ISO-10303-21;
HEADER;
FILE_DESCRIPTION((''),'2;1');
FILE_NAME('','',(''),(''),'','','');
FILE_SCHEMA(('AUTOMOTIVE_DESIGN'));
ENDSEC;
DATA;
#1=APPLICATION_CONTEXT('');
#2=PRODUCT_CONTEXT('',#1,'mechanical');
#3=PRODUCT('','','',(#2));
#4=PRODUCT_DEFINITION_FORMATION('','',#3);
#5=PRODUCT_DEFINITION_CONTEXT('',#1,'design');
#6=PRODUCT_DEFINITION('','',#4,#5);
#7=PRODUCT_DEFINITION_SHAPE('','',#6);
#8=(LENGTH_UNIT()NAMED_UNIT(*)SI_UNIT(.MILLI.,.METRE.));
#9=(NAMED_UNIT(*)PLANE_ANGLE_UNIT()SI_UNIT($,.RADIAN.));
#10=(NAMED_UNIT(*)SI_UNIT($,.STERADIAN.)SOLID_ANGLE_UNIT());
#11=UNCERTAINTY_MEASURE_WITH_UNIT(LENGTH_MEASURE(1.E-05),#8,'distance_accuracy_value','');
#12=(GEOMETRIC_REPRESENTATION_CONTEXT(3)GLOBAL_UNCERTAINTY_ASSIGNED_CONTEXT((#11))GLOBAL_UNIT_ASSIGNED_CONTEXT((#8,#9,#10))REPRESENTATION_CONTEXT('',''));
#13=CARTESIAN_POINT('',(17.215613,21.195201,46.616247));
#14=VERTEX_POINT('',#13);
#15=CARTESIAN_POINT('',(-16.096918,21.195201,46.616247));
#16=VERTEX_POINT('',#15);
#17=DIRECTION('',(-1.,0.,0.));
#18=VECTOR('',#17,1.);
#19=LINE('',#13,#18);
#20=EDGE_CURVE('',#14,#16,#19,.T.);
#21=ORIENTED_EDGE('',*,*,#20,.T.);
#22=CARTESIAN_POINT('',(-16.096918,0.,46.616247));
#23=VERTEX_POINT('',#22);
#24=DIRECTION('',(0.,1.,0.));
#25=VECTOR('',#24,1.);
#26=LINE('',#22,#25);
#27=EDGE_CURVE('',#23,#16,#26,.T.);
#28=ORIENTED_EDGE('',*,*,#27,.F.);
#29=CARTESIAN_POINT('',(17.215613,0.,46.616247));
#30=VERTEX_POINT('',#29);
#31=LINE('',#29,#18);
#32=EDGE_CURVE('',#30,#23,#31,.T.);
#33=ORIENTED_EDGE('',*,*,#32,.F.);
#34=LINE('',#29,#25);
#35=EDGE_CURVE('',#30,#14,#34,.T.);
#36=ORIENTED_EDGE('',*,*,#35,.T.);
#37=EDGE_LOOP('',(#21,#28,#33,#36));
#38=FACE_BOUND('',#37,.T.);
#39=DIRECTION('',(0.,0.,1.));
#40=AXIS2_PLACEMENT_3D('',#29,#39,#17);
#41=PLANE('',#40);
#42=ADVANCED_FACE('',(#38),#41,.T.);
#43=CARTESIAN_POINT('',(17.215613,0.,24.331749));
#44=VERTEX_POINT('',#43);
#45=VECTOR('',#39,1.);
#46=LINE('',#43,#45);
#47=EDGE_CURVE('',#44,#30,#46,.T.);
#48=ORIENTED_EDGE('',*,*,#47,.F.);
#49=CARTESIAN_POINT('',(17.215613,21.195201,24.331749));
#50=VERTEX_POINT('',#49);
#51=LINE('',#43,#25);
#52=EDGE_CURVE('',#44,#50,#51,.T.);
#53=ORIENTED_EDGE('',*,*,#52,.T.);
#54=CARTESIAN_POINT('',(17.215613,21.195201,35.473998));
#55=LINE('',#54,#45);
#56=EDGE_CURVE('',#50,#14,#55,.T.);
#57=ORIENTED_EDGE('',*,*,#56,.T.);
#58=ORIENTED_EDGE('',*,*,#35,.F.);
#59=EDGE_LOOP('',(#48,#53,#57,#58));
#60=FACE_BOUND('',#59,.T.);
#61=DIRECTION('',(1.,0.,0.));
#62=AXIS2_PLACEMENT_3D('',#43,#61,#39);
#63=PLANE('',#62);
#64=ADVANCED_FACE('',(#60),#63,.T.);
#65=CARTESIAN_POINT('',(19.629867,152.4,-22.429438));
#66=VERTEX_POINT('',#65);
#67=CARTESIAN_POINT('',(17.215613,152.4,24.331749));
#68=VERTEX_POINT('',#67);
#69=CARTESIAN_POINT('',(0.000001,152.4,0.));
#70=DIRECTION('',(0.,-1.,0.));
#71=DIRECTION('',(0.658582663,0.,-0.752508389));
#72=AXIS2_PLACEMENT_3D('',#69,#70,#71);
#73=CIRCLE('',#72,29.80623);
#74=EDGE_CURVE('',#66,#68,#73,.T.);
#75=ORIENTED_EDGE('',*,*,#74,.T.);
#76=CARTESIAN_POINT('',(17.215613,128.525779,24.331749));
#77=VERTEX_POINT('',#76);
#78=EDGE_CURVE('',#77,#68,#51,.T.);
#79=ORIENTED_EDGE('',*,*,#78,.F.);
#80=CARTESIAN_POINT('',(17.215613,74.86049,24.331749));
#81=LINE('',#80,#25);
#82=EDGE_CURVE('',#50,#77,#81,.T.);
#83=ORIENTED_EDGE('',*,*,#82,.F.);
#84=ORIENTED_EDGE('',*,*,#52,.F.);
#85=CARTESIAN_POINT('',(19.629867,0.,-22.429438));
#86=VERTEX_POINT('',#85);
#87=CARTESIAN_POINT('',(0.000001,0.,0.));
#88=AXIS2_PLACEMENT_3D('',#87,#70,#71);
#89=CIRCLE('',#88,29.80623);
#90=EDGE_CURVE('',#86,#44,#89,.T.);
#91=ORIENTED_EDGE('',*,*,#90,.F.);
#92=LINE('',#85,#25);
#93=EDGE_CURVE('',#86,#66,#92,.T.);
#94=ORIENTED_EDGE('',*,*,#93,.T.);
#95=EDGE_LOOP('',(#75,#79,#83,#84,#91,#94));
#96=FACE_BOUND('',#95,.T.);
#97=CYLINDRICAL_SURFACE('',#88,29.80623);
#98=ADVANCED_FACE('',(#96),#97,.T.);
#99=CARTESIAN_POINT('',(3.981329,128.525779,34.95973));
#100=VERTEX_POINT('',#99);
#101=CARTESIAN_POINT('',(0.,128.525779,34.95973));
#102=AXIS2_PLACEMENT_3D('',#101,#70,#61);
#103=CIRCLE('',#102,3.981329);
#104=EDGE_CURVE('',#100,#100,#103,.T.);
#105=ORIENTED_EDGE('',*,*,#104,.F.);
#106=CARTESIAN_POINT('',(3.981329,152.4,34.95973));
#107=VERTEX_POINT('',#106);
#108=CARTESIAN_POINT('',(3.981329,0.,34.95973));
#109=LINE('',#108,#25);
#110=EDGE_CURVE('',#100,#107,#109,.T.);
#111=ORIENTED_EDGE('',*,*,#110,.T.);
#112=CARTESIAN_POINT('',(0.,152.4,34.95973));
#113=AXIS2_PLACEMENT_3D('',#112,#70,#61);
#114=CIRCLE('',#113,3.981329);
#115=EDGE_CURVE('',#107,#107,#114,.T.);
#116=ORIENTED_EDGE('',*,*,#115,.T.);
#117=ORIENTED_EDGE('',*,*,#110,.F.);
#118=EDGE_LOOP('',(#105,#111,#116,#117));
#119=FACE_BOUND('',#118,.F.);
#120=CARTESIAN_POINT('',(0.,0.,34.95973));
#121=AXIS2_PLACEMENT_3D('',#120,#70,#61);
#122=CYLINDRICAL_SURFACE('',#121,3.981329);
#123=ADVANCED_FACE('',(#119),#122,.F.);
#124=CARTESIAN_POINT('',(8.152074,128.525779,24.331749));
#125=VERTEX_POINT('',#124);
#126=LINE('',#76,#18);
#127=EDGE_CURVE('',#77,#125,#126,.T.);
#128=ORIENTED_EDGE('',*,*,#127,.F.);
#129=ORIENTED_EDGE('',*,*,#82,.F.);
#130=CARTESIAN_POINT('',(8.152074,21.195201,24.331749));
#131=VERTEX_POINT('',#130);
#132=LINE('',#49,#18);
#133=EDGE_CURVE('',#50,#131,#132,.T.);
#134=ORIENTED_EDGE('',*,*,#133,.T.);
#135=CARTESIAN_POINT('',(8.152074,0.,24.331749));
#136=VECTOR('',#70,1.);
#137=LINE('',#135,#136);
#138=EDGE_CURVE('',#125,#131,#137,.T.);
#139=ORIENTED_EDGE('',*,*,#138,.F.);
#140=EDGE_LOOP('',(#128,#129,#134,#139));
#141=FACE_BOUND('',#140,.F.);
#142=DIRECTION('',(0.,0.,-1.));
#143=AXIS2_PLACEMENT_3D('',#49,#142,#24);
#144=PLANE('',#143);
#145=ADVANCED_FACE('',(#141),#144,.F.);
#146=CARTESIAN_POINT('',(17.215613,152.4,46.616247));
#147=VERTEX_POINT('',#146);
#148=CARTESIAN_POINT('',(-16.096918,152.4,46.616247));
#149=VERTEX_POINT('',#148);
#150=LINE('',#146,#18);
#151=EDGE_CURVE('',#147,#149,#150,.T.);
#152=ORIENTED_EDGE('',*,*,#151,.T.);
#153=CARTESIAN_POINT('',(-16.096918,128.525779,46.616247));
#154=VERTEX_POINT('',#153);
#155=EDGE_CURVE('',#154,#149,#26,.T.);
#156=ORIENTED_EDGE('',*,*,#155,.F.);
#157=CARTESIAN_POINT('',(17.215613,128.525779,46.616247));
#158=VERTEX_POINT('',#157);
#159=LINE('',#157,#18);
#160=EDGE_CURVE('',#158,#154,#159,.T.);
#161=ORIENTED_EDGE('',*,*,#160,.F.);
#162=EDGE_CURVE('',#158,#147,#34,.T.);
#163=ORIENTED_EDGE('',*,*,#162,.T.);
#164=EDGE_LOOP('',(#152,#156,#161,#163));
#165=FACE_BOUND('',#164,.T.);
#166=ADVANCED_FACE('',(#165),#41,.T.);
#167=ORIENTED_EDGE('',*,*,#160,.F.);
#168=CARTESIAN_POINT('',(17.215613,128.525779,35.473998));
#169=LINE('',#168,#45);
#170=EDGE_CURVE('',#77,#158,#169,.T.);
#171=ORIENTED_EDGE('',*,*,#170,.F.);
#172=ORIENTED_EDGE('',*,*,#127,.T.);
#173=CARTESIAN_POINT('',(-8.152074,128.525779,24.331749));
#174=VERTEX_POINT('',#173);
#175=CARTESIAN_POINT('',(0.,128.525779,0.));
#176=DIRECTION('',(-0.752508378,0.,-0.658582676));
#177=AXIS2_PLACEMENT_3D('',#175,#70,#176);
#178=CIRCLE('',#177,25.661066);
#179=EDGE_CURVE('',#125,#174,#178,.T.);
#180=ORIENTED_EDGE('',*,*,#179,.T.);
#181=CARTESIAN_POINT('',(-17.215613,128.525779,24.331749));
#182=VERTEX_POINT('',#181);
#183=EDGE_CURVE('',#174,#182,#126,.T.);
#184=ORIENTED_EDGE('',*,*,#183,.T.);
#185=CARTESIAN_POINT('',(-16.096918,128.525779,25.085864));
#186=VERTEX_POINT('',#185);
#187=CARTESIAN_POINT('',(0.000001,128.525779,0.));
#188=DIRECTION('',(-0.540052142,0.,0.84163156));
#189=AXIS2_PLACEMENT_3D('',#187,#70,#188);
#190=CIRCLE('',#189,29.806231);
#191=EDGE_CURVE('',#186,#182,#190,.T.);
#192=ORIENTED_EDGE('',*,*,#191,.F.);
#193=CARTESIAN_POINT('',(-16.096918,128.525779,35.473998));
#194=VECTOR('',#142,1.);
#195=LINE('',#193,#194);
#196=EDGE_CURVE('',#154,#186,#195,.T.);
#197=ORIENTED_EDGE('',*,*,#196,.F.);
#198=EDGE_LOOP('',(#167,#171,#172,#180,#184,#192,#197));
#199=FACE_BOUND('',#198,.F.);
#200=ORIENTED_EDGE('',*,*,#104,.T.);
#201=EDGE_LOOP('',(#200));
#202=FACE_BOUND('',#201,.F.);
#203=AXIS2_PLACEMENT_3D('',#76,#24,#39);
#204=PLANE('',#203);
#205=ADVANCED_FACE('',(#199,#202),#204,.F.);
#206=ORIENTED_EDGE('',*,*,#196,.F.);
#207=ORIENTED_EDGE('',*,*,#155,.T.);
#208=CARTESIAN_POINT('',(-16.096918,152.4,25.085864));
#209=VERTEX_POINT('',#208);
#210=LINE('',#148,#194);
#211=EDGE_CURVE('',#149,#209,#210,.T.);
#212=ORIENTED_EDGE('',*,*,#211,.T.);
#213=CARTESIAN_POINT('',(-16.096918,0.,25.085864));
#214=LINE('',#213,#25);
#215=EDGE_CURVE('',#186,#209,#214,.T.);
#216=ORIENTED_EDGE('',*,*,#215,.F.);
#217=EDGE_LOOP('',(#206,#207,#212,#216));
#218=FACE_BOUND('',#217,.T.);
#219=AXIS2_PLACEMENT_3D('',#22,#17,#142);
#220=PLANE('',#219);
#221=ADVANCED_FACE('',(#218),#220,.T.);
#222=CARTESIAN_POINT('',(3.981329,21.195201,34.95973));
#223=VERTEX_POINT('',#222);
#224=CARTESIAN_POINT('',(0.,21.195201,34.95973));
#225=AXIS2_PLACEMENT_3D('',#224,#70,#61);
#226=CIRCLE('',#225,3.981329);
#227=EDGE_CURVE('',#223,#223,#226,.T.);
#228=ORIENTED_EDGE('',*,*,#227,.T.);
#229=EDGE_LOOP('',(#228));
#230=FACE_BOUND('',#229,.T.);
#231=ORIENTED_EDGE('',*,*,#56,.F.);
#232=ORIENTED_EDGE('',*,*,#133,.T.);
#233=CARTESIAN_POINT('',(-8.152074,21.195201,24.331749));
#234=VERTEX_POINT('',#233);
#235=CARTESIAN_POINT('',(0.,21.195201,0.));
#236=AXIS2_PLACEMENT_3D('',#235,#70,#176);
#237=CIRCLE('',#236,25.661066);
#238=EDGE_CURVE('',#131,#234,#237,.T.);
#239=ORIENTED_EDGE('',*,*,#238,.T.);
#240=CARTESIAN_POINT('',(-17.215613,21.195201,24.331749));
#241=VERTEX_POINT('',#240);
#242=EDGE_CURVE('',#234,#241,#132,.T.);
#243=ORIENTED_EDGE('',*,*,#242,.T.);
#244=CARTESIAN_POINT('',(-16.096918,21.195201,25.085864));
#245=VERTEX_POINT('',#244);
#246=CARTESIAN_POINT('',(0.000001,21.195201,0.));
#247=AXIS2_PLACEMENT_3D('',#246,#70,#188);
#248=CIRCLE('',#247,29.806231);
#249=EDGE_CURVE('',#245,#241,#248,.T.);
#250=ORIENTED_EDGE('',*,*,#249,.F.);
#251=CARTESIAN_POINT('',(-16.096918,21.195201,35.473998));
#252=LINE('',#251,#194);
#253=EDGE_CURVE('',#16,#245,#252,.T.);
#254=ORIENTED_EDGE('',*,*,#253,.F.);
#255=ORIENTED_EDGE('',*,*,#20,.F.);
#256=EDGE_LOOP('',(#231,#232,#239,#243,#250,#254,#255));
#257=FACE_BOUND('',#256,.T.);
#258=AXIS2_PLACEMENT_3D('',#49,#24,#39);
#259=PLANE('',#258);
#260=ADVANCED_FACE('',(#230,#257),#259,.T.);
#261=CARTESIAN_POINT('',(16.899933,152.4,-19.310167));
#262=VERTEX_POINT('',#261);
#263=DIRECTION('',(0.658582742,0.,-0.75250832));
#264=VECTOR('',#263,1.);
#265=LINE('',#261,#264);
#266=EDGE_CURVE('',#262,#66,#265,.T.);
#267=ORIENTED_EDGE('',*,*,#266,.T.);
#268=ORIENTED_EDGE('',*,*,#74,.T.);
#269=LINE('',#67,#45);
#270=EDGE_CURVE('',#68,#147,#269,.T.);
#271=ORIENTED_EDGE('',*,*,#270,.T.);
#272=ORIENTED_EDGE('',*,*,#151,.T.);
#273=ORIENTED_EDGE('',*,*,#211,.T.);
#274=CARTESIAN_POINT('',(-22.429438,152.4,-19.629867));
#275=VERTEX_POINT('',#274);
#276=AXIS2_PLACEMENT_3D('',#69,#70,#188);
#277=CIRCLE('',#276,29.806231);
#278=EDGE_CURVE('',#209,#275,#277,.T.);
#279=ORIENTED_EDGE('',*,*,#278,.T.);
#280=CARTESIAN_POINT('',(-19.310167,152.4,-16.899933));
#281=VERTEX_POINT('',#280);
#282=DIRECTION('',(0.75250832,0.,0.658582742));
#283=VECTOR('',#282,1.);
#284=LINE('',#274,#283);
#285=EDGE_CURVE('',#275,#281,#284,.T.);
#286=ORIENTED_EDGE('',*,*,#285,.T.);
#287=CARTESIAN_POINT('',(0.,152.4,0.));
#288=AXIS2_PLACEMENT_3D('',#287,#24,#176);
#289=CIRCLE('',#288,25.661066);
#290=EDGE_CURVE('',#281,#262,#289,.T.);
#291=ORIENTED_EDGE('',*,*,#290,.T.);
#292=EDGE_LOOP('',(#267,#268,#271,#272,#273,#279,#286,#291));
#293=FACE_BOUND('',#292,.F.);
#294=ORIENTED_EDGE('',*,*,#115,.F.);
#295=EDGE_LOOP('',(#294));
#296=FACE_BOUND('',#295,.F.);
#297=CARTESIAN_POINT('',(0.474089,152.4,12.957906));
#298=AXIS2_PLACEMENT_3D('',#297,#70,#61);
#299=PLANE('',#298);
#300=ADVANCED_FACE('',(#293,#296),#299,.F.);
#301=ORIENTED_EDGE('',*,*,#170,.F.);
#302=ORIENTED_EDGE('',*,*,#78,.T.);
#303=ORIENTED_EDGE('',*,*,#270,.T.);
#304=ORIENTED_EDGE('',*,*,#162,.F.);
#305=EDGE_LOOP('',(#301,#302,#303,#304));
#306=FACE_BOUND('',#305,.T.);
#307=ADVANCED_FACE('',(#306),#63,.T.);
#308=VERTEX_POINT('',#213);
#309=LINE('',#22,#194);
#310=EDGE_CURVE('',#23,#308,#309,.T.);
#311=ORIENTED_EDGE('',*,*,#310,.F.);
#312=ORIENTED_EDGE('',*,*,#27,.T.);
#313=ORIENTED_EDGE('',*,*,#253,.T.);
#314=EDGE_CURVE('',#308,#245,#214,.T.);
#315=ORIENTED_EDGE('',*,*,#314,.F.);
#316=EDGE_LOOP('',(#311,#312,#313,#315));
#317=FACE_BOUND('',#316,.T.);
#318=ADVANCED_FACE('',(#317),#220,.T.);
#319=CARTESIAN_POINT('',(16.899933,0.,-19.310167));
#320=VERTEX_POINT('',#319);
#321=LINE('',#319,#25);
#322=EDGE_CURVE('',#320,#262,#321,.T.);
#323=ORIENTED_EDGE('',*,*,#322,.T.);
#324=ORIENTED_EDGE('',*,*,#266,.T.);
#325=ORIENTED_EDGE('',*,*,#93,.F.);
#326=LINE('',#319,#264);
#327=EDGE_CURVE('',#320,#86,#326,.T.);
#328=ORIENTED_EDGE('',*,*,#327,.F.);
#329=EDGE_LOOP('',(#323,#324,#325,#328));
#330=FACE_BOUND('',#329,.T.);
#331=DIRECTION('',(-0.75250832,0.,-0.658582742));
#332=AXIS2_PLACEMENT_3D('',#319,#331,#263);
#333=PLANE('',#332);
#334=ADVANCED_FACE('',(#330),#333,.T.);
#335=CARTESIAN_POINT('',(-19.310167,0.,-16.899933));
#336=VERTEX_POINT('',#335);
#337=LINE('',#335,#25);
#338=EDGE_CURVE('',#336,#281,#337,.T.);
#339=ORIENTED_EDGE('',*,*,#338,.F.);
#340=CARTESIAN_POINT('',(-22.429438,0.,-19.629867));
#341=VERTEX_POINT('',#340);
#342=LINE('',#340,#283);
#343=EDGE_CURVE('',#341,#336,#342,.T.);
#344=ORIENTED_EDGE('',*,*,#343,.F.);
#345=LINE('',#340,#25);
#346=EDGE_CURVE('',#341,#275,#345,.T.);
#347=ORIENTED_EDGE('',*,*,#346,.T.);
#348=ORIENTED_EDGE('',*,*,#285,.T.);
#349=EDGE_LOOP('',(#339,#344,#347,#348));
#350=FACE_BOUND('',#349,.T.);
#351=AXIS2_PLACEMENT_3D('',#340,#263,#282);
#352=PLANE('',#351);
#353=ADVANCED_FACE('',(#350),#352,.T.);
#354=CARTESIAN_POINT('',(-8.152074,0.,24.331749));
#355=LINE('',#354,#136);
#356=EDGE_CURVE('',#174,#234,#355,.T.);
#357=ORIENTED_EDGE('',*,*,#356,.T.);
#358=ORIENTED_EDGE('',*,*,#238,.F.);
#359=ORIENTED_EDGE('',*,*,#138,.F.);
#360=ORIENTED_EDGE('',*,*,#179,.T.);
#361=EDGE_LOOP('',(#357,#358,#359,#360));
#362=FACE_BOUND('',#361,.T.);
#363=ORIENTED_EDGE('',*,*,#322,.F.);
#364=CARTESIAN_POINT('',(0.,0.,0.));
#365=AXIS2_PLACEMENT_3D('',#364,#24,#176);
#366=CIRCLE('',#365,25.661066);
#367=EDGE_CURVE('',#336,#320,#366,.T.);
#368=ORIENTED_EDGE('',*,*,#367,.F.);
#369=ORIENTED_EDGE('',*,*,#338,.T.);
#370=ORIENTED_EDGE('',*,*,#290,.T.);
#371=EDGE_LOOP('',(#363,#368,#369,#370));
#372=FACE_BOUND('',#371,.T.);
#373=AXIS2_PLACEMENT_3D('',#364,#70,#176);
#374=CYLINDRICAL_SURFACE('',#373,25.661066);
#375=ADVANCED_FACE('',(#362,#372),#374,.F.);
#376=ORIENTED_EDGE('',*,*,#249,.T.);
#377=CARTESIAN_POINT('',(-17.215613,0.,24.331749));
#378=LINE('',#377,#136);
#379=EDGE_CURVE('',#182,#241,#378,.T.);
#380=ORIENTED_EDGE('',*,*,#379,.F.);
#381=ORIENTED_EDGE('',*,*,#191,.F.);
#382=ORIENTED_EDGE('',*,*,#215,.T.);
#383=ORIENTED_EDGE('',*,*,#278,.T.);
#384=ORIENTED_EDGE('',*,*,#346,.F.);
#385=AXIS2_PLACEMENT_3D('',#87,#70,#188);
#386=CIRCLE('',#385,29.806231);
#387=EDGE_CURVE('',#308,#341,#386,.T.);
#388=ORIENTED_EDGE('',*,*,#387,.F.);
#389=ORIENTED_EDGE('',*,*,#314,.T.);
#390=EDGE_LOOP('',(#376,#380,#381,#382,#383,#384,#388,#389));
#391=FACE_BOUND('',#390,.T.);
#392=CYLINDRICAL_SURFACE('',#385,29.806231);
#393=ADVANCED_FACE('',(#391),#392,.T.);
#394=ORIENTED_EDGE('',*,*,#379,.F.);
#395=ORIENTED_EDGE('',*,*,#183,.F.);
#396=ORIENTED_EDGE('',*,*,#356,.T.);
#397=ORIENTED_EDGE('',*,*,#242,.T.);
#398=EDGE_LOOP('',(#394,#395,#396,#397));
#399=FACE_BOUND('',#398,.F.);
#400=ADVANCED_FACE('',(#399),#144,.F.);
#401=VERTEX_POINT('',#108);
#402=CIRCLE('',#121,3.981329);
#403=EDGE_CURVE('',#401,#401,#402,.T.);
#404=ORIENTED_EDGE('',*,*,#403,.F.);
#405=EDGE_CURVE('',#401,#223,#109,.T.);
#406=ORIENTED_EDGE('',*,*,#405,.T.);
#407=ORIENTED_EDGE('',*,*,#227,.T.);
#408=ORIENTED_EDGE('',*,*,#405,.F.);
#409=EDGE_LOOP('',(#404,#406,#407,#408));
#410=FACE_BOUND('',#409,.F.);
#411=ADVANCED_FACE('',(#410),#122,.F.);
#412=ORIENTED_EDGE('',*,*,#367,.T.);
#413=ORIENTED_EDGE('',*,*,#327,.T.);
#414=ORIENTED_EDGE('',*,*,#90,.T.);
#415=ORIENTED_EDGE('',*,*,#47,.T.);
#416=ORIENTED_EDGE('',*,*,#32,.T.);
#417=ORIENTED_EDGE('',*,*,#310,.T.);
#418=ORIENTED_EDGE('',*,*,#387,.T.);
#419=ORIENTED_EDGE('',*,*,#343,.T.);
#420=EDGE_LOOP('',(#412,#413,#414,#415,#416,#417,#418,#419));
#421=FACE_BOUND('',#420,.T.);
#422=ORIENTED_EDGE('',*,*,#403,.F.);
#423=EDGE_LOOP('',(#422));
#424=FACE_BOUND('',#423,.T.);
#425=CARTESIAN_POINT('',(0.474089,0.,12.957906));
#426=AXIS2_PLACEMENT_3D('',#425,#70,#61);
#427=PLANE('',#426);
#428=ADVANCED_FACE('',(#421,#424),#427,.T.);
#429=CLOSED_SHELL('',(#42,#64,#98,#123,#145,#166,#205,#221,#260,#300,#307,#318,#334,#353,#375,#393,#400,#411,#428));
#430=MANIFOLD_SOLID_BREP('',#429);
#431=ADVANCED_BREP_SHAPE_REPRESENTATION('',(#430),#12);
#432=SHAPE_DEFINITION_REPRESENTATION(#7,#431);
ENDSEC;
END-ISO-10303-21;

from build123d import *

# Parameters (mm, degrees)
F0_R     = 3.981329
F1_DEPTH = 152.4
F2_W     = 107.330578
F2_H     = 22.284498
F3_DEPTH = 47.022844


with BuildPart() as f1:
    # F0 (on Front) → F1 (new body)
    with BuildSketch(Plane.XZ):
        with BuildLine():
            ThreePointArc((-19.310167, -16.899933), (1.704292, 25.604408), (16.899933, -19.310167))
            Line((16.899933, -19.310167), (19.629867, -22.429438))
            ThreePointArc((19.629867, -22.429438), (29.766584, 1.536832), (17.215613, 24.331749))
            Line((17.215613, 24.331749), (17.215613, 46.616247))
            Line((17.215613, 46.616247), (-16.096918, 46.616247))
            Line((-16.096918, 46.616247), (-16.096918, 25.085864))
            ThreePointArc((-16.096918, 25.085864), (-29.511763, 4.179376), (-22.429438, -19.629867))
            Line((-22.429438, -19.629867), (-19.310167, -16.899933))
        make_face()
        with Locations((0, 34.95973)):
            Circle(F0_R, mode=Mode.SUBTRACT)
    extrude(amount=-F1_DEPTH)

    # F2 (on face) → F3 (cut, through all)
    with BuildSketch(Plane.YZ.offset(17.215613)):
        with Locations((74.86049, 35.473998)):
            Rectangle(F2_W, F2_H)
    extrude(amount=-F3_DEPTH, mode=Mode.SUBTRACT)


solid = f1.part
